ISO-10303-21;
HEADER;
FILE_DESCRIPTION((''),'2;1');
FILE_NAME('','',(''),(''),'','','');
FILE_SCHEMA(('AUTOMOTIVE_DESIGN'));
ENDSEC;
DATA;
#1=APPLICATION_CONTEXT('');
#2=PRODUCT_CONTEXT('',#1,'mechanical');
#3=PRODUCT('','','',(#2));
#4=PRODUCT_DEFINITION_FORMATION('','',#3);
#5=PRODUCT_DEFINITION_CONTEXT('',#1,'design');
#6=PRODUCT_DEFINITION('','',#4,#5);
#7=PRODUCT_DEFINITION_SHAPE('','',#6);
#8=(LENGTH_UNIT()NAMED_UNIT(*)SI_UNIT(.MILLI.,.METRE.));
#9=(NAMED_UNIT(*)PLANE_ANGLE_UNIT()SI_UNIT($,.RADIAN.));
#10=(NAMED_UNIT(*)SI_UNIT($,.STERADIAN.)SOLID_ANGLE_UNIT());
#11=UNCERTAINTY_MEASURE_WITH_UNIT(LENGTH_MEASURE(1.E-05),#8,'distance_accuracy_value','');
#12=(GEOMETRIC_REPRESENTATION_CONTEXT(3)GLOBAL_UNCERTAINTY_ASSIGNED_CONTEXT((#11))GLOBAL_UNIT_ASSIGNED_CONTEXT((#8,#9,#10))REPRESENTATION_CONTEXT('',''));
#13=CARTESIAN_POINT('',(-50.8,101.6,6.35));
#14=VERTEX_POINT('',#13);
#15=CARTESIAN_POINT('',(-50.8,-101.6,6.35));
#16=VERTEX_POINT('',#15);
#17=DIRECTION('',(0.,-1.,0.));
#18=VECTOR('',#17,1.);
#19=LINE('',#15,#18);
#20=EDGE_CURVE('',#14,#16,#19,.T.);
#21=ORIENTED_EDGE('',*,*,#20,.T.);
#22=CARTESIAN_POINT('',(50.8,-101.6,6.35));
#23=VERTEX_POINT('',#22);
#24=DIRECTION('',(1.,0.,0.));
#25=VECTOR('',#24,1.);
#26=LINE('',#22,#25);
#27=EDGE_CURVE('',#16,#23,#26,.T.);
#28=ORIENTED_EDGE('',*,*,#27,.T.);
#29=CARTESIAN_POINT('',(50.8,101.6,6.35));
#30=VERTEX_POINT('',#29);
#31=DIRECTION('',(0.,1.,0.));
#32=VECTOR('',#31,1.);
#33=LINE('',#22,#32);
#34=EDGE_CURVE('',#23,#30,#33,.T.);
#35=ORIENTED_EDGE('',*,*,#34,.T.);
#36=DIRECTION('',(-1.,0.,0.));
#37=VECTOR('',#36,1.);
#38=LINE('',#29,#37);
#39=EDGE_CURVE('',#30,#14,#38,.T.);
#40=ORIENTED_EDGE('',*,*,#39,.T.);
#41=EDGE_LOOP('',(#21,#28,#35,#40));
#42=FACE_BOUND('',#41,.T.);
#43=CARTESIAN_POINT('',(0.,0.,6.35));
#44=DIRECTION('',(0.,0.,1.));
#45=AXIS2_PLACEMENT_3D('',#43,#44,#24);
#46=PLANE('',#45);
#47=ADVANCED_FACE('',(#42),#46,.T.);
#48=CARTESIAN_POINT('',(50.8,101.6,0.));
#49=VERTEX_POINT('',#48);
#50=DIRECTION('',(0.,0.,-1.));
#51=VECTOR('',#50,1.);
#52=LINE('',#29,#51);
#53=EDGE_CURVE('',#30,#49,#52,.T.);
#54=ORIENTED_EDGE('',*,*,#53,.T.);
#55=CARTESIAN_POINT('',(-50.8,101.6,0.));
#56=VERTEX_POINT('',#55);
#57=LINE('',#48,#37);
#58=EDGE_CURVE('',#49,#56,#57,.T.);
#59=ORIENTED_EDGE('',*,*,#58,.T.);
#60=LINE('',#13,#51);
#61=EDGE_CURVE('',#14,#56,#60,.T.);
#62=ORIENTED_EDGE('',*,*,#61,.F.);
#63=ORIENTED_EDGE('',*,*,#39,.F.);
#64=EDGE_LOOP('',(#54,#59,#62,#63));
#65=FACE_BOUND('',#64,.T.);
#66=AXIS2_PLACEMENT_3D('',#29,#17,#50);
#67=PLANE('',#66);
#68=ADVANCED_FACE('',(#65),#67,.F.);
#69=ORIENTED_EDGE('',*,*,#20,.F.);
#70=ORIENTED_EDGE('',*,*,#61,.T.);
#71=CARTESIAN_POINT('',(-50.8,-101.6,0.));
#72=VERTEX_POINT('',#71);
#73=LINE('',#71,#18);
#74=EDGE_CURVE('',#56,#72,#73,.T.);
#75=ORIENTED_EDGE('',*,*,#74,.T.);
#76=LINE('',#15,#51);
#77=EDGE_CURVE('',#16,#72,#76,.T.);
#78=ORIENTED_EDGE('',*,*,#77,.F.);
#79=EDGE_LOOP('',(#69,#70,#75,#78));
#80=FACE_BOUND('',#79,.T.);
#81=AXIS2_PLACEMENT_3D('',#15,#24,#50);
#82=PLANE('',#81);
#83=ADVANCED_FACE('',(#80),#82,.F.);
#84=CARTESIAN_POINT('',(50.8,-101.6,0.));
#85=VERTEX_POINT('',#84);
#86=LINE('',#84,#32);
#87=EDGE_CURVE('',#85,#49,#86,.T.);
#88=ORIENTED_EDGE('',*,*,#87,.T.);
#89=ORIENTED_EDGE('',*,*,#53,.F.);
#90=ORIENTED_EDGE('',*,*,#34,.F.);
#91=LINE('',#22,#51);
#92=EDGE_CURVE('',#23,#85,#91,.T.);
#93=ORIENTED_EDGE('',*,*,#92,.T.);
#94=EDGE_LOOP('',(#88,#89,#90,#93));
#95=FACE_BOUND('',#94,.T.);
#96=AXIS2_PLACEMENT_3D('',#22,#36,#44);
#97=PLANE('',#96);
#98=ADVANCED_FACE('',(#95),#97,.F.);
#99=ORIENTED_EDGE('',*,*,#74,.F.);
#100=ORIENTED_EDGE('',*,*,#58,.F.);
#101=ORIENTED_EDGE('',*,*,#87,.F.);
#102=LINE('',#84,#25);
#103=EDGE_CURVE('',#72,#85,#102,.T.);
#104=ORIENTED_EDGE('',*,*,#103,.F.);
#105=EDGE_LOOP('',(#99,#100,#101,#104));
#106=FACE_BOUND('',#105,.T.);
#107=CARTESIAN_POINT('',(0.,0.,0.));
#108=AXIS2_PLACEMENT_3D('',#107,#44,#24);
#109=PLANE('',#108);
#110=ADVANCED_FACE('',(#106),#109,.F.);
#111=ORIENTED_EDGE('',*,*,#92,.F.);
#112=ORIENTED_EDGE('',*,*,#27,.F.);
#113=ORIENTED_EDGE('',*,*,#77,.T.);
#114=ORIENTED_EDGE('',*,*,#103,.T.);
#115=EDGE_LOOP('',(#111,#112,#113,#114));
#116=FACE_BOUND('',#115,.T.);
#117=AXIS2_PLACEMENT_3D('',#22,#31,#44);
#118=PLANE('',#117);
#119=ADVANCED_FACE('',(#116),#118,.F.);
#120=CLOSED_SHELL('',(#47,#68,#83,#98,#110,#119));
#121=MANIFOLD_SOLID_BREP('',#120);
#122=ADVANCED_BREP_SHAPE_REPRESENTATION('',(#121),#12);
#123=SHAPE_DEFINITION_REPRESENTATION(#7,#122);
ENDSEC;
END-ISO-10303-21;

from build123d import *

# Parameters (mm, degrees)
SKETCH1_W           = 101.6
SKETCH1_H           = 203.2
BOSS_EXTRUDE1_DEPTH = 6.35


with BuildPart() as part:
    # Sketch1 → Boss-Extrude1 (new body)
    with BuildSketch(Plane.XY):
        Rectangle(SKETCH1_W, SKETCH1_H)
    extrude(amount=BOSS_EXTRUDE1_DEPTH)


solid = part.part
